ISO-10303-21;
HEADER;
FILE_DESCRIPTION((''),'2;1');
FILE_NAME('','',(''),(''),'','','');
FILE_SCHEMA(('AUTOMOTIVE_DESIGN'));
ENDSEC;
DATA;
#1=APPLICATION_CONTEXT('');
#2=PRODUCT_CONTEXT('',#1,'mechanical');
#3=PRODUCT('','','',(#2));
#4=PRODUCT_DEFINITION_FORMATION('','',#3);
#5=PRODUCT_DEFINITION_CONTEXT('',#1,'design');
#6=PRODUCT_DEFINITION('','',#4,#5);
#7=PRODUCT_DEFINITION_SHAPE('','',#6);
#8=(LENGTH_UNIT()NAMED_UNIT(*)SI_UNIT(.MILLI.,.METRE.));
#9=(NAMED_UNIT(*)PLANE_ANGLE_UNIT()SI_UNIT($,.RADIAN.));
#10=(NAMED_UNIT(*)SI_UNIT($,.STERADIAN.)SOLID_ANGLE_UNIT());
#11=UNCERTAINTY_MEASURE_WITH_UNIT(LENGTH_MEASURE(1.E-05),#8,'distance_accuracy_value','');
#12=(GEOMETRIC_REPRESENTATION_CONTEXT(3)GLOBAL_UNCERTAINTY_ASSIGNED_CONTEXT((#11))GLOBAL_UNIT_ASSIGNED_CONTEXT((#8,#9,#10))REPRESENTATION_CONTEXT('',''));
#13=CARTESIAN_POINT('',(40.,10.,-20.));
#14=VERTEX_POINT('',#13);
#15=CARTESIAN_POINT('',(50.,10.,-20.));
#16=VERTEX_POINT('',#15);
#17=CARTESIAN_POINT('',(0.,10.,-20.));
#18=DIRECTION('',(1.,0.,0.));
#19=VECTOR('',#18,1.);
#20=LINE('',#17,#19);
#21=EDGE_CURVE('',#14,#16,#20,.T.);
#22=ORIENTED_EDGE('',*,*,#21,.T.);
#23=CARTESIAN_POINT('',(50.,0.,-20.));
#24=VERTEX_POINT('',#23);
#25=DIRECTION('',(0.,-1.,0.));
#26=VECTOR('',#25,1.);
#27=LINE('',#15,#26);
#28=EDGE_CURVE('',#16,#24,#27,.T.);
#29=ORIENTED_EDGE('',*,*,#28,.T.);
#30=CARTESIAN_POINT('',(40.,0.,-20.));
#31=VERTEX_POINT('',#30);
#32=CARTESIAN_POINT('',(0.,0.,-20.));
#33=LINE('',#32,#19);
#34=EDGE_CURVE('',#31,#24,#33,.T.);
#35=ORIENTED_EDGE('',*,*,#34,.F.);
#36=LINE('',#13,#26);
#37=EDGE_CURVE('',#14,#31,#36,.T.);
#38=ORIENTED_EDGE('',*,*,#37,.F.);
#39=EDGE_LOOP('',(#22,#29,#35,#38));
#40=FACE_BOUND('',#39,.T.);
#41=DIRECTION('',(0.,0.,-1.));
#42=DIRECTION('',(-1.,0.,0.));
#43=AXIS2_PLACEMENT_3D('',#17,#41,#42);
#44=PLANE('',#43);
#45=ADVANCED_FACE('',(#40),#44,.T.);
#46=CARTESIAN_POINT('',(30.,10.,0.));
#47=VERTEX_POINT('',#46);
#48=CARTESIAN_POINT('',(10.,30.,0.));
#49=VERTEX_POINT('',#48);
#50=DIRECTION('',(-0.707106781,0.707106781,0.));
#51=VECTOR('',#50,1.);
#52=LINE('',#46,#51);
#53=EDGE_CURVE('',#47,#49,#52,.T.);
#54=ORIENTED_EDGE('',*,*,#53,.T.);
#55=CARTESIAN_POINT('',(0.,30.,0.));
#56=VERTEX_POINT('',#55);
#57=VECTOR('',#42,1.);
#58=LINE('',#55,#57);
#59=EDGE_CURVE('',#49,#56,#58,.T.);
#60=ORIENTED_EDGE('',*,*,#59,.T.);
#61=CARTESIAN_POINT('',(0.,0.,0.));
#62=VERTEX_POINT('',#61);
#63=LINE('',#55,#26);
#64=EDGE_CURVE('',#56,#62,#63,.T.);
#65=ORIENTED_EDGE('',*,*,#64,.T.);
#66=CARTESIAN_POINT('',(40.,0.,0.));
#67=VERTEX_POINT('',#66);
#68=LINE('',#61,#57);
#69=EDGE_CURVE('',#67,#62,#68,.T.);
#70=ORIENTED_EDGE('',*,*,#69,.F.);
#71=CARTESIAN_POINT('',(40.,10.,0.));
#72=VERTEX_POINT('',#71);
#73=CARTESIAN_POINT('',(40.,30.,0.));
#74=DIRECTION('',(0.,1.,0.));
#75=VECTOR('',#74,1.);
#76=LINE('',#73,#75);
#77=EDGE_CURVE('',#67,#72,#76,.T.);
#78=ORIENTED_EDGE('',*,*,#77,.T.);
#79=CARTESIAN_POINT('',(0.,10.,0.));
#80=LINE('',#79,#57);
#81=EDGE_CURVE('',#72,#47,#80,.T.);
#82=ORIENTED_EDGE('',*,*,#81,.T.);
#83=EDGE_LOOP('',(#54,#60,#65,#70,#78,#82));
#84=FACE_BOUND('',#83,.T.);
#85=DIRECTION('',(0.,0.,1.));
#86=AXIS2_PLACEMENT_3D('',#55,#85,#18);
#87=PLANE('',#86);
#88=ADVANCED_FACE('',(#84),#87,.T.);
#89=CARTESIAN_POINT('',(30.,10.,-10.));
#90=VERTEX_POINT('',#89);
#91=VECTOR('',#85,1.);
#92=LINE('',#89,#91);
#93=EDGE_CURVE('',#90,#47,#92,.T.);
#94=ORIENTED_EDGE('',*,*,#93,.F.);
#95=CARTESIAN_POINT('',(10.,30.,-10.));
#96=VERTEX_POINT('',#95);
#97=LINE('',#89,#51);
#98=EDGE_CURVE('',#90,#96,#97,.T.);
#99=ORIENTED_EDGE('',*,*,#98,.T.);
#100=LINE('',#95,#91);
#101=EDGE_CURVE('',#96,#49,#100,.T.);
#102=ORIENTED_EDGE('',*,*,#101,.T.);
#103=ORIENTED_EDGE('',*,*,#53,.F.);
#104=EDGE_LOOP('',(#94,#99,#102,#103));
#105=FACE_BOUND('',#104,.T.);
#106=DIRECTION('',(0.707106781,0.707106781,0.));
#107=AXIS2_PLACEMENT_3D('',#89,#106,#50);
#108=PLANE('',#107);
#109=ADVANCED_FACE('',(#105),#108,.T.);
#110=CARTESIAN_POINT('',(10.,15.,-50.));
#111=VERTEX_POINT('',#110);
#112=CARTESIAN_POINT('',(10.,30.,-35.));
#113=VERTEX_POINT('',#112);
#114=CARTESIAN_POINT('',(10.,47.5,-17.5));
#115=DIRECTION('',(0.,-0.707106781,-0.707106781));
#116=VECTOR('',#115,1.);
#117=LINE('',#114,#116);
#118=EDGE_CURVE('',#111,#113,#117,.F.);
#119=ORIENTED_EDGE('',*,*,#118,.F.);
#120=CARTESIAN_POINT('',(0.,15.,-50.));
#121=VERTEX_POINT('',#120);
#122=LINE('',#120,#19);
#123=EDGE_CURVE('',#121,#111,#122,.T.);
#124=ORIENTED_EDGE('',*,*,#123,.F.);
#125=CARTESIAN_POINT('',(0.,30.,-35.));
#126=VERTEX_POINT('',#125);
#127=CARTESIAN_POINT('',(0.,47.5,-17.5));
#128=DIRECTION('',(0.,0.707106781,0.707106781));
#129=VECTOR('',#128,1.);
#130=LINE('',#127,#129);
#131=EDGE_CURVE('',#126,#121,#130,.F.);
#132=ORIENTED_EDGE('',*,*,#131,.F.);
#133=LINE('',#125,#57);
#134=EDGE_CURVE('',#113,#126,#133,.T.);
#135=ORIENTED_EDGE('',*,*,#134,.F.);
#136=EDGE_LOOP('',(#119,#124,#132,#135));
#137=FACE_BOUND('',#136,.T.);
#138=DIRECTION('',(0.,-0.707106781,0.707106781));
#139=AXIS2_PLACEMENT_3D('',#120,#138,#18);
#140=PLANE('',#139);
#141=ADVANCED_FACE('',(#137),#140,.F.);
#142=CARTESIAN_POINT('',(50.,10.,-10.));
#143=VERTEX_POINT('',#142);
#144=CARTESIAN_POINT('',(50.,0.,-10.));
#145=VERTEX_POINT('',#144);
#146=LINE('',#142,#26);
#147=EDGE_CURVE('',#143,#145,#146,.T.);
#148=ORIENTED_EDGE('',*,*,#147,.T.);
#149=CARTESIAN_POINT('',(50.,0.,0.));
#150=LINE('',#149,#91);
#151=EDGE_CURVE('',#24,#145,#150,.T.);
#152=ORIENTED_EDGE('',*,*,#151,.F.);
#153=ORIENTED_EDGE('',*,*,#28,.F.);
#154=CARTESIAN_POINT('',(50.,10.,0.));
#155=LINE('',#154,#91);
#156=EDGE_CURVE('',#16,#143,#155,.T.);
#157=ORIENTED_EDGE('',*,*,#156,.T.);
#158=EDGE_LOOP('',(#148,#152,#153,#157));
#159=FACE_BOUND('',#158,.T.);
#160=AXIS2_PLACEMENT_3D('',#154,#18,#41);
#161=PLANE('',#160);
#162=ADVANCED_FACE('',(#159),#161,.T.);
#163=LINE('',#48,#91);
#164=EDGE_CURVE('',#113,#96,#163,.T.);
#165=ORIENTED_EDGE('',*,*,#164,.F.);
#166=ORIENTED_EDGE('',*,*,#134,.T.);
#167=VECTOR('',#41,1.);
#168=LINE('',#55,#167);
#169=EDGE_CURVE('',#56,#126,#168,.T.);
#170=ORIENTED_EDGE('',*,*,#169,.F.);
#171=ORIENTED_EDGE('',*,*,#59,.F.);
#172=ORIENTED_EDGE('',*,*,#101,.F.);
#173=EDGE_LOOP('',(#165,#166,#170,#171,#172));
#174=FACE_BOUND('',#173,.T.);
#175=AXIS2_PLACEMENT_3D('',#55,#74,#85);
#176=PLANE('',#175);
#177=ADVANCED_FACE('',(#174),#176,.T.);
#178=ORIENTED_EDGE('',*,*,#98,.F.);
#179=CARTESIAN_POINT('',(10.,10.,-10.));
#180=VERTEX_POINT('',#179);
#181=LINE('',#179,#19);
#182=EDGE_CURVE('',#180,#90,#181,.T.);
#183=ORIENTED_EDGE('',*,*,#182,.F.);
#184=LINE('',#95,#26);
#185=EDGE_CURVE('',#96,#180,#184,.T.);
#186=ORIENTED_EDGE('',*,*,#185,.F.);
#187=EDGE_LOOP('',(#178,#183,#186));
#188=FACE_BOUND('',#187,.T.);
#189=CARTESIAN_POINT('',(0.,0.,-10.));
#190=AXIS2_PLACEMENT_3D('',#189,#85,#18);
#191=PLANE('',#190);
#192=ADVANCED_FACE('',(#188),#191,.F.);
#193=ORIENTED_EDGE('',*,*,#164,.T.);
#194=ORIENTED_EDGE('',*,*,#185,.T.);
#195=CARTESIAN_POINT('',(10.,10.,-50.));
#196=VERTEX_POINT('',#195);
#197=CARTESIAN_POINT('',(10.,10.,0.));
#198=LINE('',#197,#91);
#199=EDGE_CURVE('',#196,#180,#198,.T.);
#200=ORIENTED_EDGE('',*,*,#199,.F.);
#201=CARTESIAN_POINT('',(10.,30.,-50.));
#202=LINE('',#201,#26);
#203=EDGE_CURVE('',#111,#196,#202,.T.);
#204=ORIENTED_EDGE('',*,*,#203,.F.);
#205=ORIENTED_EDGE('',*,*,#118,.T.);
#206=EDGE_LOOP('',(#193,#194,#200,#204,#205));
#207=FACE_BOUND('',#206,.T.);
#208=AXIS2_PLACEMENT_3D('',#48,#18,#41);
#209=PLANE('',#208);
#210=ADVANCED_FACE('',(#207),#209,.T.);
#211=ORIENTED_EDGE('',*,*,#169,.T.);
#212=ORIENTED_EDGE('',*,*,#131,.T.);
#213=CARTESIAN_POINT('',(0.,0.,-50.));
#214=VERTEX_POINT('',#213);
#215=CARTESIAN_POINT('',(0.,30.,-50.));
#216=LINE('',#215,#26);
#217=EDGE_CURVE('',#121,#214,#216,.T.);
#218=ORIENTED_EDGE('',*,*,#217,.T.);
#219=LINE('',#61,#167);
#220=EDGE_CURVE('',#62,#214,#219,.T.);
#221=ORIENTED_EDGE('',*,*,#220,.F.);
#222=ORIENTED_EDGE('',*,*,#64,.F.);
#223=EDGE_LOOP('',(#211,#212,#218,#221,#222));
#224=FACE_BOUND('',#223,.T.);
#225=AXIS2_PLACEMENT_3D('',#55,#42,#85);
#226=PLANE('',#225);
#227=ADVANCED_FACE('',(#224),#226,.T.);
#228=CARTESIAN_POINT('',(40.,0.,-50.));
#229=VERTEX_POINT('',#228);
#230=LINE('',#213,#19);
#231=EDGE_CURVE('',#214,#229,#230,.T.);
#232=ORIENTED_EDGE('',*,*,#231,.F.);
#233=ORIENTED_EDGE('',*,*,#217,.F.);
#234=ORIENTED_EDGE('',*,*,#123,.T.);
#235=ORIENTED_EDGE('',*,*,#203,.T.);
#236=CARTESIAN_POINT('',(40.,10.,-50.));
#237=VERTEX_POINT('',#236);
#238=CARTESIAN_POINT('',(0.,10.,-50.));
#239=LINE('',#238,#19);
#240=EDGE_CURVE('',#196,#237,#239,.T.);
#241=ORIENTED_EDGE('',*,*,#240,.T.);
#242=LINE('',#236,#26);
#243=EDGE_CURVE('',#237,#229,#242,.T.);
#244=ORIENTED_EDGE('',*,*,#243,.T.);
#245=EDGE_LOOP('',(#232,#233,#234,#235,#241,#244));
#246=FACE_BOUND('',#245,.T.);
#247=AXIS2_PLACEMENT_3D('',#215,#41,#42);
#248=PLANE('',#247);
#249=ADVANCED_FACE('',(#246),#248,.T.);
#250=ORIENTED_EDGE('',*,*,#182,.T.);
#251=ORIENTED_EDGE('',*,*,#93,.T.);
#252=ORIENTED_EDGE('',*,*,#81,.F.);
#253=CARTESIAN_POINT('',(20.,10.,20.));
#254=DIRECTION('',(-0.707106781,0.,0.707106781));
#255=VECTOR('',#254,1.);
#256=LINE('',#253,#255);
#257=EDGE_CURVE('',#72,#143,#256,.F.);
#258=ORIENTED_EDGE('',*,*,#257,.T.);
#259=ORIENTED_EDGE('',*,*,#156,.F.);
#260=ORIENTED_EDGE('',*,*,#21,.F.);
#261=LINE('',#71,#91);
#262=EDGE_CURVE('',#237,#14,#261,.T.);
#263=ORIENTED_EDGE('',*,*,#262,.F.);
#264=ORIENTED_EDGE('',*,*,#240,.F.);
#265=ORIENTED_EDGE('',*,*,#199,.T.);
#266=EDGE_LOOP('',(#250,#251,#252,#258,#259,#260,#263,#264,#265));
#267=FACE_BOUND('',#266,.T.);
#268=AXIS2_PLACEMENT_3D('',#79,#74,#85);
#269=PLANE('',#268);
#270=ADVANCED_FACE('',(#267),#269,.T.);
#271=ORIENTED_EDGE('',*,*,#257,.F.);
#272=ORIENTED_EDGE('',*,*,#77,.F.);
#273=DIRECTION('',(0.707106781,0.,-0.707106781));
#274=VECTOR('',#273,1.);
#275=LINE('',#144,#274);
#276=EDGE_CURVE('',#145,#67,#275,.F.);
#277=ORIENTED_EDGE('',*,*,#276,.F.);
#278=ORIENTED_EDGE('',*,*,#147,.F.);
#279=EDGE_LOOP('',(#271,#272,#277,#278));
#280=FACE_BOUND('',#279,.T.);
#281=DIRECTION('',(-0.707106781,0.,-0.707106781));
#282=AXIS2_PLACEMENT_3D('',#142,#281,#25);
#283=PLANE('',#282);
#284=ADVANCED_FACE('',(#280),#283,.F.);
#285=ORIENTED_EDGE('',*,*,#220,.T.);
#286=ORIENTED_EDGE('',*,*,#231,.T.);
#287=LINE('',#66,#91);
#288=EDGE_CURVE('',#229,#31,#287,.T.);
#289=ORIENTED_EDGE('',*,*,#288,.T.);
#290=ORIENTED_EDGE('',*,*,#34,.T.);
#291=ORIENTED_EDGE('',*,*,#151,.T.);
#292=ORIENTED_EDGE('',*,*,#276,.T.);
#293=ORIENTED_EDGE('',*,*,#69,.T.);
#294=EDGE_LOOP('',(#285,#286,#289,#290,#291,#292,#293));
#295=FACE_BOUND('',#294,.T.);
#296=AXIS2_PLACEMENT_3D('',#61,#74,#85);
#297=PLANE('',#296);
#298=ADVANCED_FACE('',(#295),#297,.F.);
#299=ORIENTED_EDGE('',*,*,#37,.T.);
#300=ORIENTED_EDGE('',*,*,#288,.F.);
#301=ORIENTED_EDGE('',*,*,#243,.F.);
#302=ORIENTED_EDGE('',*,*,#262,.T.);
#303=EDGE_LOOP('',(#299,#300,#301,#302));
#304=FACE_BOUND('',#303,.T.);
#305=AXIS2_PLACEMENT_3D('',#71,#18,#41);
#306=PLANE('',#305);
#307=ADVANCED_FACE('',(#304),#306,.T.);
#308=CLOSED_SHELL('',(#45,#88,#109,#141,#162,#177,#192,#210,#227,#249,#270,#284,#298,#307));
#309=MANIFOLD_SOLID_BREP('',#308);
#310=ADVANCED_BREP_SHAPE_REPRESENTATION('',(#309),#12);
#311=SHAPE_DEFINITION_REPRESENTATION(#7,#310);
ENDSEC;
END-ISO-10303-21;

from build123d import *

# Parameters (mm, degrees)
SKETCH1_W           = 10
SKETCH1_H           = 50
BOSS_EXTRUDE1_DEPTH = 30
BOSS_EXTRUDE2_DEPTH = 10
CHAMFER1_SIZE       = 10
CHAMFER2_SIZE       = 15
BOSS_EXTRUDE3_DEPTH = 10


with BuildPart() as part:
    # Sketch1 → Boss-Extrude1 (new body)
    with BuildSketch(Plane(origin=(0, 0, 0), x_dir=(1, 0, 0), z_dir=(0, 1, 0))):
        with Locations((5, 25)):
            Rectangle(SKETCH1_W, SKETCH1_H)
    extrude(amount=BOSS_EXTRUDE1_DEPTH)

    # Sketch1<3> → Boss-Extrude2 (add)
    with BuildSketch(Plane(origin=(0, 0, 0), x_dir=(1, 0, 0), z_dir=(0, 1, 0))):
        Polygon((10, 50), (10, 0), (50, 0), (50, 20), (40, 20), (40, 50), align=None)
    extrude(amount=BOSS_EXTRUDE2_DEPTH)

    # Chamfer1
    chamfer1_edges = [part.edges().sort_by_distance(p)[0] for p in [
        (50, 5, 0),
    ]]
    chamfer(chamfer1_edges, length=CHAMFER1_SIZE)

    # Chamfer2
    chamfer2_edges = [part.edges().sort_by_distance(p)[0] for p in [
        (5, 30, -50),
    ]]
    chamfer(chamfer2_edges, length=CHAMFER2_SIZE)

    # Sketch2 → Boss-Extrude3 (add)
    with BuildSketch(Plane.XY):
        Polygon((10, 10), (30, 10), (10, 30), align=None)
    extrude(amount=-BOSS_EXTRUDE3_DEPTH)


solid = part.part
